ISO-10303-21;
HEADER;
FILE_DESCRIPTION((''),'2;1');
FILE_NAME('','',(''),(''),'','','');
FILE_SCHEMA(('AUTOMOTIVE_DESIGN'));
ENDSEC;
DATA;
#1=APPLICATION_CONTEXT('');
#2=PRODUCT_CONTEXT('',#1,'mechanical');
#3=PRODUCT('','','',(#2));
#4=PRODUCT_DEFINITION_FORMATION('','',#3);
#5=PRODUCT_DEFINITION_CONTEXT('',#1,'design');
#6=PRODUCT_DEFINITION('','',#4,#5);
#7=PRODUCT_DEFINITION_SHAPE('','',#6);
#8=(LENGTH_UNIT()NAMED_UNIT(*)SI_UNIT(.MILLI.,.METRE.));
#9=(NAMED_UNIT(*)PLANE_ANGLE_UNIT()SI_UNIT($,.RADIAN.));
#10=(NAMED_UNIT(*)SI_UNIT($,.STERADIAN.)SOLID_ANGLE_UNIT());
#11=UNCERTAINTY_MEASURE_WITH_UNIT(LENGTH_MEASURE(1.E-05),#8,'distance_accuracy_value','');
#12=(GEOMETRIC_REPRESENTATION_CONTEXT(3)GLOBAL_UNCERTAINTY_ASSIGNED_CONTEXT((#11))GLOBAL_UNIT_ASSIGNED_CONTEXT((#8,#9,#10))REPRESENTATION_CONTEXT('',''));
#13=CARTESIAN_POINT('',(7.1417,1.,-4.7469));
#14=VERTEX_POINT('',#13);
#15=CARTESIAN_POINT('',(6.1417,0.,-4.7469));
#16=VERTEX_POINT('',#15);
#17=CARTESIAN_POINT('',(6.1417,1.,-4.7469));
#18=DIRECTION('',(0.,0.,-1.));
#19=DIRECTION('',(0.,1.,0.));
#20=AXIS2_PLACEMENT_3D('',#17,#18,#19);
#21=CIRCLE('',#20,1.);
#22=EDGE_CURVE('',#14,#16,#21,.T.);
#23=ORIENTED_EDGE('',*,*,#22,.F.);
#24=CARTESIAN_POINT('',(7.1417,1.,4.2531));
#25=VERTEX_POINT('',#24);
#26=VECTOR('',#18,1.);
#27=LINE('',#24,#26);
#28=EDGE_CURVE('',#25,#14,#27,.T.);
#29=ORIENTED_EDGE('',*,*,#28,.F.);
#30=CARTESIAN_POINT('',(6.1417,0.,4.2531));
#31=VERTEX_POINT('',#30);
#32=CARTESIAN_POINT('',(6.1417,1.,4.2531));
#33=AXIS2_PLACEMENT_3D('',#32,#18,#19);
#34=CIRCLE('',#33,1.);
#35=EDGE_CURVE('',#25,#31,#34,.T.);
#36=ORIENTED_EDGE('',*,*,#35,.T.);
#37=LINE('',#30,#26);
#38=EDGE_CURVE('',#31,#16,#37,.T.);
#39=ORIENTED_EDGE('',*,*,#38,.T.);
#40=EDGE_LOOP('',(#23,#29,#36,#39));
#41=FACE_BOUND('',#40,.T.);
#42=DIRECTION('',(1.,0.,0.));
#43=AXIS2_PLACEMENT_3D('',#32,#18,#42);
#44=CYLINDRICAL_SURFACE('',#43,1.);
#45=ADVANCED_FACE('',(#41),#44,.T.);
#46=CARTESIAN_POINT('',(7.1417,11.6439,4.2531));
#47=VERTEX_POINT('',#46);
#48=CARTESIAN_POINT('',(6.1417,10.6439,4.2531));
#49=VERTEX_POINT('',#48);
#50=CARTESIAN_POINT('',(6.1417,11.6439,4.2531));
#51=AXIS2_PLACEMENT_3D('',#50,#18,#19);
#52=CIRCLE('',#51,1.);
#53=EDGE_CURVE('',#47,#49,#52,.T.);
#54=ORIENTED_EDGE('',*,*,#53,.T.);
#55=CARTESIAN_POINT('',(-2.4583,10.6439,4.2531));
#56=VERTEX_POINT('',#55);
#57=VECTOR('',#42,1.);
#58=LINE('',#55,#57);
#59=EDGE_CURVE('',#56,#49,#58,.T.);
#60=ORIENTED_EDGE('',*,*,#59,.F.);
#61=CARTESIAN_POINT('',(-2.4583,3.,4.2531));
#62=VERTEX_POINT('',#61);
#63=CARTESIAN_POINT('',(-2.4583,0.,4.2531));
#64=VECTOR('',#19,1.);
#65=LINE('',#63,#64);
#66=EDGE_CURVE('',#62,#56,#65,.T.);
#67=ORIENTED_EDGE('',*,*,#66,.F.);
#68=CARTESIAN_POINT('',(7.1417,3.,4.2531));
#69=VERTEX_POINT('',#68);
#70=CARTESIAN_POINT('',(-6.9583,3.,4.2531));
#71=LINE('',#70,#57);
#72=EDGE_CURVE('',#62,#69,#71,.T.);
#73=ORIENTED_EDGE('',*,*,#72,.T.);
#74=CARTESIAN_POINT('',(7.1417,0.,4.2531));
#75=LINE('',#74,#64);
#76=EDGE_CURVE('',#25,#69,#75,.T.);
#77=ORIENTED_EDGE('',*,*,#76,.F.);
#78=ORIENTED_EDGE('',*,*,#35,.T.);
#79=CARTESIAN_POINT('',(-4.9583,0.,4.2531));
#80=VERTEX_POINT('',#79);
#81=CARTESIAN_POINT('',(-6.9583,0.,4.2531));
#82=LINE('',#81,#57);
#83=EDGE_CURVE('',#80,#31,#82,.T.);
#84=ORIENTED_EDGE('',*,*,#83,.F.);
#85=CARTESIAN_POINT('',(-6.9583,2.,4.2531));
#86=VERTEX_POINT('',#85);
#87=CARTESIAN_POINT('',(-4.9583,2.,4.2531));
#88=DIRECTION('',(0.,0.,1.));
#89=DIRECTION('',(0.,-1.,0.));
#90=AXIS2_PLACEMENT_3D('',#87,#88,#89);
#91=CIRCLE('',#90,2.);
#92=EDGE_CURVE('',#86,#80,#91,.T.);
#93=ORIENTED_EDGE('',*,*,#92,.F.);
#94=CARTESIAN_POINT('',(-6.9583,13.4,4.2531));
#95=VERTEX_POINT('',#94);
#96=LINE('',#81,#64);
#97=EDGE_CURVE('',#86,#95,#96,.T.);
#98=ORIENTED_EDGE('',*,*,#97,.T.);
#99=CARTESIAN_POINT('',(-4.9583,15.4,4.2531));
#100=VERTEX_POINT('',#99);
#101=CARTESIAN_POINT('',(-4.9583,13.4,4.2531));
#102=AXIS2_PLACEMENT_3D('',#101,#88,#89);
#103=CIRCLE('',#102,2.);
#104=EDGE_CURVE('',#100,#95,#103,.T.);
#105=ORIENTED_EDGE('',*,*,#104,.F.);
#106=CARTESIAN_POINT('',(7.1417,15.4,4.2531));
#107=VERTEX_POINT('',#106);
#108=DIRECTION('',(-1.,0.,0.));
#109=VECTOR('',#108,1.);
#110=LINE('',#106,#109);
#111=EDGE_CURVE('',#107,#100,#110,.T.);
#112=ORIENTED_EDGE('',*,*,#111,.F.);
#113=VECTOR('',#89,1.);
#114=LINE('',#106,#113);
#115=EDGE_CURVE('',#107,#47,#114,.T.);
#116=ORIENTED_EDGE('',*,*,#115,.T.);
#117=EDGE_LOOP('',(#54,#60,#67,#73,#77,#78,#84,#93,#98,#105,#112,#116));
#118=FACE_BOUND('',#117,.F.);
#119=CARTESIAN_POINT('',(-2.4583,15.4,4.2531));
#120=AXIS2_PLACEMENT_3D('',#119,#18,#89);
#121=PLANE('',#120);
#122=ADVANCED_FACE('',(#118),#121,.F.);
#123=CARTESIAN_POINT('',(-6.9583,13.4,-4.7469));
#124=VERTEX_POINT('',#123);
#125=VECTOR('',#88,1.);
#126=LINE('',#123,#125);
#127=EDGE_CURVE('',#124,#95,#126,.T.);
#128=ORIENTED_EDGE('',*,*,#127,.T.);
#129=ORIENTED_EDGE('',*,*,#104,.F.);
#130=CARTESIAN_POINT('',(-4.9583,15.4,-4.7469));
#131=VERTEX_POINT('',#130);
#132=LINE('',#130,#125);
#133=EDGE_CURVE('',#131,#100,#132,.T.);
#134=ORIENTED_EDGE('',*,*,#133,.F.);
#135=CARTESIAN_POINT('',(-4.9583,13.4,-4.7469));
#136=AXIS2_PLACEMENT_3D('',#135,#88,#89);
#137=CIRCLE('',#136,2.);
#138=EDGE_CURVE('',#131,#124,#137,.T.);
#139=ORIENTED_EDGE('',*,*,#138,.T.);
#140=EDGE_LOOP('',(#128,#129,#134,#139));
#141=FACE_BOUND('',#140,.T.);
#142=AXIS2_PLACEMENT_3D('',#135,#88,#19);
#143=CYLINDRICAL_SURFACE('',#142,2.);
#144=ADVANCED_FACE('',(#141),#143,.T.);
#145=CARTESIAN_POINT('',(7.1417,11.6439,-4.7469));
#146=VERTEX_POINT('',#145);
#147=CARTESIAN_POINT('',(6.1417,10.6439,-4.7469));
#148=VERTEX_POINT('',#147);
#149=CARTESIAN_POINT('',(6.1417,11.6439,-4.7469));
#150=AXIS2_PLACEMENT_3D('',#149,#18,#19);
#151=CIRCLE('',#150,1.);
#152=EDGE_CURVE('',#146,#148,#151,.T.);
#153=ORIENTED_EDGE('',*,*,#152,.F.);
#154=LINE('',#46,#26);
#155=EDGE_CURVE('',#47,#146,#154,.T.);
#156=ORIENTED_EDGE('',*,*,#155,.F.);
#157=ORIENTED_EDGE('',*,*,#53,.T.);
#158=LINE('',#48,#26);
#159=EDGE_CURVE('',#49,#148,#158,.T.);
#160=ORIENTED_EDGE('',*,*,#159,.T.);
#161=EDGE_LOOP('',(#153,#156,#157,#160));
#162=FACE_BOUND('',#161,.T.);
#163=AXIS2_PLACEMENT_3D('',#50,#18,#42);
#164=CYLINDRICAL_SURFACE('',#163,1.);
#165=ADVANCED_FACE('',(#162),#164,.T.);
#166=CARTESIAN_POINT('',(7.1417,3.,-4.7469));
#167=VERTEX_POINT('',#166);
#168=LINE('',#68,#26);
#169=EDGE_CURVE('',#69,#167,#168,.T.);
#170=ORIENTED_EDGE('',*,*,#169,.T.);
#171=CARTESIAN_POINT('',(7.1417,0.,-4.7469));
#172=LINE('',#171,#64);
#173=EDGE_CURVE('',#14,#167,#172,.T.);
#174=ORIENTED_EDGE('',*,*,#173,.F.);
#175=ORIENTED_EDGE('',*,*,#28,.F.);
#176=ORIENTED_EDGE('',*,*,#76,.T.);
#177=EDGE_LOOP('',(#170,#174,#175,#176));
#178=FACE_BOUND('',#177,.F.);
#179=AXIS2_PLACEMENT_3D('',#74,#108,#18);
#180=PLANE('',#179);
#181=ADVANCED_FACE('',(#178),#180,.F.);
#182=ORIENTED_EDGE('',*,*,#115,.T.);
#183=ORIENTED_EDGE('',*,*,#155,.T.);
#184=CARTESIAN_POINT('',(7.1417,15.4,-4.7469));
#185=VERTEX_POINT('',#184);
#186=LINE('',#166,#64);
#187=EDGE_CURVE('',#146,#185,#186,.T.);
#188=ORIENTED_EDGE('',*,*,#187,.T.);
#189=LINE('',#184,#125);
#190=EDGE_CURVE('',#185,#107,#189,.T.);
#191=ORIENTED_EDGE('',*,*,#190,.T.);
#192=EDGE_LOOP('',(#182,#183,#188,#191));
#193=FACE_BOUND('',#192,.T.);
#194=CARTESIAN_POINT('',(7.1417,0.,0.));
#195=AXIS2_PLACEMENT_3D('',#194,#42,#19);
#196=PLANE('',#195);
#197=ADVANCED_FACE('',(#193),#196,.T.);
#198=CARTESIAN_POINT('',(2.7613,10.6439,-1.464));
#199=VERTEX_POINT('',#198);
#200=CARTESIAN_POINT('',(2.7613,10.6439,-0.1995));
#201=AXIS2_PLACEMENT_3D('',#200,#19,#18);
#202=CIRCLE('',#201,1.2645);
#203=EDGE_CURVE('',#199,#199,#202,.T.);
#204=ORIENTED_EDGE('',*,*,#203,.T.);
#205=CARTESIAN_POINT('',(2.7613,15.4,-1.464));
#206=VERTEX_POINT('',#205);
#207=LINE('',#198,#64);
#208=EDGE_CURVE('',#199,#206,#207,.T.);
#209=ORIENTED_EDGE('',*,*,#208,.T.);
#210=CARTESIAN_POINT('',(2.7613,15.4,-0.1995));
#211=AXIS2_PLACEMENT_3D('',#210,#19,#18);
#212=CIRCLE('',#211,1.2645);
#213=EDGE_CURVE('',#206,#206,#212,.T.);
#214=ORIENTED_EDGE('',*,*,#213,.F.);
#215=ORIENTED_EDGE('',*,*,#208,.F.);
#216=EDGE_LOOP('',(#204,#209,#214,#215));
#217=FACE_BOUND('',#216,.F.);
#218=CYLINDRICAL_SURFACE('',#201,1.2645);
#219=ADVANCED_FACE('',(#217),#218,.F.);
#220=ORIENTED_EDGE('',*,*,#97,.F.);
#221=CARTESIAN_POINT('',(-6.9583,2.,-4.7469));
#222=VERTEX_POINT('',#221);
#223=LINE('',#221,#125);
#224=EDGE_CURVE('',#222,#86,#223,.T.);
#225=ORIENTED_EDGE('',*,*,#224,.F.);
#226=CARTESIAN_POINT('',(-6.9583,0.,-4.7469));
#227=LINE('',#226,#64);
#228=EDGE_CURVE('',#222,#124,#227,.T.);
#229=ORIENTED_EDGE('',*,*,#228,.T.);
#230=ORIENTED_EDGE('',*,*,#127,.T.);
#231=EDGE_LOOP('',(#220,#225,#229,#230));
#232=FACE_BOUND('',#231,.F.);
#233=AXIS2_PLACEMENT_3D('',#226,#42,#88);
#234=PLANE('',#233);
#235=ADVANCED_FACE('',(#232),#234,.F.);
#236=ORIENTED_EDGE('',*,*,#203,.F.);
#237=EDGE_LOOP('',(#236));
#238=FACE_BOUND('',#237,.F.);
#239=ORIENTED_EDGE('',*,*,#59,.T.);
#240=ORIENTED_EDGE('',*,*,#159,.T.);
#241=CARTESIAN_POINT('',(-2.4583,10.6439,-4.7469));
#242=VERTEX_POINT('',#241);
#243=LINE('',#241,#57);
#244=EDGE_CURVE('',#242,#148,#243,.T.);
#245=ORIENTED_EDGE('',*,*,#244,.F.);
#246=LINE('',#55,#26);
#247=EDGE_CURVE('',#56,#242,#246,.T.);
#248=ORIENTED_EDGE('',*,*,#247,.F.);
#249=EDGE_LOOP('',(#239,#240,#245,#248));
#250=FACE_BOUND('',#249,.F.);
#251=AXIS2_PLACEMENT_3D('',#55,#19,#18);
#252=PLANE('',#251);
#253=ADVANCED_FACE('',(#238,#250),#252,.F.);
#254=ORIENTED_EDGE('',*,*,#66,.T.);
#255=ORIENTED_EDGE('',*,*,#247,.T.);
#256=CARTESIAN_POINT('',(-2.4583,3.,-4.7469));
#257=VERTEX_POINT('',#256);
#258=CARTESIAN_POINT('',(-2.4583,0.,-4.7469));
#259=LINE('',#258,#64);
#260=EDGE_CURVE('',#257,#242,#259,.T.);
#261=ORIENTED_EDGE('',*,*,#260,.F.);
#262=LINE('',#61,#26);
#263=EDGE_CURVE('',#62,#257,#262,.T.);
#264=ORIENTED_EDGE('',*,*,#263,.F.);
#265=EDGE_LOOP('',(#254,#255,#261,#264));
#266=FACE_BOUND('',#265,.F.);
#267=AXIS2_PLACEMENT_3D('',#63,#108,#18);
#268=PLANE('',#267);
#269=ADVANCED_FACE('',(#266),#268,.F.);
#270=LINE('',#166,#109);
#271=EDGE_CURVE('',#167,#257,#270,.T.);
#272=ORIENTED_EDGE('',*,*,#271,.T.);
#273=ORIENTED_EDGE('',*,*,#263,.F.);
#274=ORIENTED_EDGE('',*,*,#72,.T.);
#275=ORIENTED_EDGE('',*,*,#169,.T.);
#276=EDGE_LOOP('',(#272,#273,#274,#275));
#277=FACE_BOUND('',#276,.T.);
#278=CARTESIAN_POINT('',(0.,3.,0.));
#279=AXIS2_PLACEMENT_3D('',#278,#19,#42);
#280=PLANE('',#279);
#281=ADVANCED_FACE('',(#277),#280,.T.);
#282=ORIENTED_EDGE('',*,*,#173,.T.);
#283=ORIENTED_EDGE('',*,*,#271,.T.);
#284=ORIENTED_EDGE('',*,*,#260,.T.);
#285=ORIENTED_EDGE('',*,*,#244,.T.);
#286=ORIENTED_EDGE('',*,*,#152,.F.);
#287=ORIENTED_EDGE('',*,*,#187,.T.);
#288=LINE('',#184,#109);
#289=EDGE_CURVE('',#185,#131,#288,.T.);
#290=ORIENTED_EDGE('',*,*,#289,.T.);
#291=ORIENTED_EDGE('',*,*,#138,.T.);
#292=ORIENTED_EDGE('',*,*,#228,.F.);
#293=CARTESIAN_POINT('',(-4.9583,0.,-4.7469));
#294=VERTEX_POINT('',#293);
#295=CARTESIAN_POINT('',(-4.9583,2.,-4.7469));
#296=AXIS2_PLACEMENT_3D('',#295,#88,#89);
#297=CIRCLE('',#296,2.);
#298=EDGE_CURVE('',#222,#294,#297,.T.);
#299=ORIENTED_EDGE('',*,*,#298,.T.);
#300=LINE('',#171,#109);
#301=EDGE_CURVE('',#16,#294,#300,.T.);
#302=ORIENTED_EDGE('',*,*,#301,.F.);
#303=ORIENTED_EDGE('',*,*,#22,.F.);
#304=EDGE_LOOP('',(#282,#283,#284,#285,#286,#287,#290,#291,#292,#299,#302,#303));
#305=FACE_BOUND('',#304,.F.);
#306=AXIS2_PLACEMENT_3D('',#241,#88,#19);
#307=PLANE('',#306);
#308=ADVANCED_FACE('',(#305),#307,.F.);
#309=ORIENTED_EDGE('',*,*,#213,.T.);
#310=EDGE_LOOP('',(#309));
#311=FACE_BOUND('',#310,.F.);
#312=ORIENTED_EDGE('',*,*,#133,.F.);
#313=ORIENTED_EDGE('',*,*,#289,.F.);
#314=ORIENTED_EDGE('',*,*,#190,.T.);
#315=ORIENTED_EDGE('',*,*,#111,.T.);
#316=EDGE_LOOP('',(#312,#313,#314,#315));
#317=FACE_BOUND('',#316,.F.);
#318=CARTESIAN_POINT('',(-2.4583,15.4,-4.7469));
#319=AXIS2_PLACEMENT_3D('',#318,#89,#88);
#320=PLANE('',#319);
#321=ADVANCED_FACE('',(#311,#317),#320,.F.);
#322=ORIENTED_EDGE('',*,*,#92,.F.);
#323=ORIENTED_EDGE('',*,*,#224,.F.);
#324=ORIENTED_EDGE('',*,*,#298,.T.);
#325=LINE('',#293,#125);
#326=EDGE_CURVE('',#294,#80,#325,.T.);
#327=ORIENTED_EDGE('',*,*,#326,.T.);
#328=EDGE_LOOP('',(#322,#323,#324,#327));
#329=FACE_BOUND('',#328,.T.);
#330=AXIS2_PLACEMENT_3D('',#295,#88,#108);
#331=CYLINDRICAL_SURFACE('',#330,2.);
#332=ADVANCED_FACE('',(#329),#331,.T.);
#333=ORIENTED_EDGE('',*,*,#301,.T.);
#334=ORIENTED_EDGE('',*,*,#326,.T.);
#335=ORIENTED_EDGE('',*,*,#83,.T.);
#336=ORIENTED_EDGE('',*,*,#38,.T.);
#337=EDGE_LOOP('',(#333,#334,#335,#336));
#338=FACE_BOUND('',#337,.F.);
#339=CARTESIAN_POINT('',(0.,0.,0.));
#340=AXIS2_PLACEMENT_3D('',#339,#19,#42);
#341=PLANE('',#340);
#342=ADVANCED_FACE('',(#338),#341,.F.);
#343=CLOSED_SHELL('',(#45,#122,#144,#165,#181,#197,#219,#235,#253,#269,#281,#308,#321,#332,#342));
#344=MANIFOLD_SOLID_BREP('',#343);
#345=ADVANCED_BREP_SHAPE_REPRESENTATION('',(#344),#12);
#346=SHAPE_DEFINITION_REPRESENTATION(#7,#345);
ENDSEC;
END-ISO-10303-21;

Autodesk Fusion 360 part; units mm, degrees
sketch "Sketch1" plane through (0, 0, 0) normal (0, 1, 0) x (1, 0, 0)
  line L0 (-6.9583, -4.2531) -> (7.1417, -4.2531)
  line L1 (7.1417, -4.2531) -> (7.1417, 4.7469)
  line L2 (7.1417, 4.7469) -> (-6.9583, 4.7469)
  line L3 (-6.9583, 4.7469) -> (-6.9583, -4.2531)
  line L4 (-6.9583, -4.2531) -> (-2.4583, -4.2531)
  line L5 (-2.4583, -4.2531) -> (-2.4583, 4.7469)
  line L6 (-2.4583, 4.7469) -> (-6.9583, 4.7469)
  line L7 (-6.9583, 4.7469) -> (-6.9583, -4.2531)
  dimension "d4" = 14.1
  dimension "d5" = 9
  dimension "d7" = 4.5
  dimension "d8" = 9
extrude "Extrude1" add sketch "Sketch1" along normal blind 15.4 contours L0 L2 L3 L4 L5 L6 L7
extrude "Extrude2" add sketch "Sketch1" along normal blind 3 contours L0 L1 L2 L5
sketch "Sketch2" plane through (-2.4583, 0, 0) normal (1, 0, 0) x (0, 1, 0)
  line L0 (3, 4.2531) -> (3, -4.7469)
  line L1 (3, -4.7469) -> (15.4, -4.7469)
  line L2 (15.4, -4.7469) -> (15.4, 4.2531)
  line L3 (15.4, 4.2531) -> (3, 4.2531)
  line L4 (3, -0.2469) -> (10.4, -0.2469)
  line L5 (15.4, 4.2531) -> (10.6439, 4.2531)
  line L6 (10.6439, 4.2531) -> (10.6439, -4.7469)
  line L7 (10.6439, -4.7469) -> (15.4, -4.7469)
  line L8 (15.4, -4.7469) -> (15.4, 4.2531)
  dimension "d16" = 7.4
extrude "Extrude3" add sketch "Sketch2" along normal blind 9.6 contours L1 L2 L3 L5 L6 L7 L8
hole "Hole1" at (2.7613, 10.6439, -0.1995) direction (0, 1, 0) diameter 2.529 end through all
fillet "Fillet1" radius 2 1 edges at (-6.9583, 15.4, -0.2469)
fillet "Fillet2" radius 2 1 edges at (-6.9583, 0, -0.2469)
fillet "Fillet3" radius 1 1 edges at (7.1417, 10.6439, -0.2469)
fillet "Fillet4" radius 1 1 edges at (7.1417, 0, -0.2469)
equation "clamp_w = 14.1 mm"
equation "clamp_l = 9 mm"
equation "clamp_bot_thickness = 3 mm"
equation "d4 = clamp_w"
equation "d5 = clamp_l"
equation "clamp_mid_w = 4.5 mm"
equation "d7 = clamp_mid_w"
equation "d8 = clamp_l"
equation "clamp_mid_thickness = wp_gap + clamp_bot_thickness + clamp_top_thickness"
equation "d10 = clamp_mid_thickness"
equation "d12 = clamp_bot_thickness"
equation "clamp_top_thickness = 5 mm"
equation "wp_gap = 7.4 mm"
equation "d16 = wp_gap"
equation "top_clamp_depth = clamp_w - clamp_mid_w"
equation "d18 = top_clamp_depth"
